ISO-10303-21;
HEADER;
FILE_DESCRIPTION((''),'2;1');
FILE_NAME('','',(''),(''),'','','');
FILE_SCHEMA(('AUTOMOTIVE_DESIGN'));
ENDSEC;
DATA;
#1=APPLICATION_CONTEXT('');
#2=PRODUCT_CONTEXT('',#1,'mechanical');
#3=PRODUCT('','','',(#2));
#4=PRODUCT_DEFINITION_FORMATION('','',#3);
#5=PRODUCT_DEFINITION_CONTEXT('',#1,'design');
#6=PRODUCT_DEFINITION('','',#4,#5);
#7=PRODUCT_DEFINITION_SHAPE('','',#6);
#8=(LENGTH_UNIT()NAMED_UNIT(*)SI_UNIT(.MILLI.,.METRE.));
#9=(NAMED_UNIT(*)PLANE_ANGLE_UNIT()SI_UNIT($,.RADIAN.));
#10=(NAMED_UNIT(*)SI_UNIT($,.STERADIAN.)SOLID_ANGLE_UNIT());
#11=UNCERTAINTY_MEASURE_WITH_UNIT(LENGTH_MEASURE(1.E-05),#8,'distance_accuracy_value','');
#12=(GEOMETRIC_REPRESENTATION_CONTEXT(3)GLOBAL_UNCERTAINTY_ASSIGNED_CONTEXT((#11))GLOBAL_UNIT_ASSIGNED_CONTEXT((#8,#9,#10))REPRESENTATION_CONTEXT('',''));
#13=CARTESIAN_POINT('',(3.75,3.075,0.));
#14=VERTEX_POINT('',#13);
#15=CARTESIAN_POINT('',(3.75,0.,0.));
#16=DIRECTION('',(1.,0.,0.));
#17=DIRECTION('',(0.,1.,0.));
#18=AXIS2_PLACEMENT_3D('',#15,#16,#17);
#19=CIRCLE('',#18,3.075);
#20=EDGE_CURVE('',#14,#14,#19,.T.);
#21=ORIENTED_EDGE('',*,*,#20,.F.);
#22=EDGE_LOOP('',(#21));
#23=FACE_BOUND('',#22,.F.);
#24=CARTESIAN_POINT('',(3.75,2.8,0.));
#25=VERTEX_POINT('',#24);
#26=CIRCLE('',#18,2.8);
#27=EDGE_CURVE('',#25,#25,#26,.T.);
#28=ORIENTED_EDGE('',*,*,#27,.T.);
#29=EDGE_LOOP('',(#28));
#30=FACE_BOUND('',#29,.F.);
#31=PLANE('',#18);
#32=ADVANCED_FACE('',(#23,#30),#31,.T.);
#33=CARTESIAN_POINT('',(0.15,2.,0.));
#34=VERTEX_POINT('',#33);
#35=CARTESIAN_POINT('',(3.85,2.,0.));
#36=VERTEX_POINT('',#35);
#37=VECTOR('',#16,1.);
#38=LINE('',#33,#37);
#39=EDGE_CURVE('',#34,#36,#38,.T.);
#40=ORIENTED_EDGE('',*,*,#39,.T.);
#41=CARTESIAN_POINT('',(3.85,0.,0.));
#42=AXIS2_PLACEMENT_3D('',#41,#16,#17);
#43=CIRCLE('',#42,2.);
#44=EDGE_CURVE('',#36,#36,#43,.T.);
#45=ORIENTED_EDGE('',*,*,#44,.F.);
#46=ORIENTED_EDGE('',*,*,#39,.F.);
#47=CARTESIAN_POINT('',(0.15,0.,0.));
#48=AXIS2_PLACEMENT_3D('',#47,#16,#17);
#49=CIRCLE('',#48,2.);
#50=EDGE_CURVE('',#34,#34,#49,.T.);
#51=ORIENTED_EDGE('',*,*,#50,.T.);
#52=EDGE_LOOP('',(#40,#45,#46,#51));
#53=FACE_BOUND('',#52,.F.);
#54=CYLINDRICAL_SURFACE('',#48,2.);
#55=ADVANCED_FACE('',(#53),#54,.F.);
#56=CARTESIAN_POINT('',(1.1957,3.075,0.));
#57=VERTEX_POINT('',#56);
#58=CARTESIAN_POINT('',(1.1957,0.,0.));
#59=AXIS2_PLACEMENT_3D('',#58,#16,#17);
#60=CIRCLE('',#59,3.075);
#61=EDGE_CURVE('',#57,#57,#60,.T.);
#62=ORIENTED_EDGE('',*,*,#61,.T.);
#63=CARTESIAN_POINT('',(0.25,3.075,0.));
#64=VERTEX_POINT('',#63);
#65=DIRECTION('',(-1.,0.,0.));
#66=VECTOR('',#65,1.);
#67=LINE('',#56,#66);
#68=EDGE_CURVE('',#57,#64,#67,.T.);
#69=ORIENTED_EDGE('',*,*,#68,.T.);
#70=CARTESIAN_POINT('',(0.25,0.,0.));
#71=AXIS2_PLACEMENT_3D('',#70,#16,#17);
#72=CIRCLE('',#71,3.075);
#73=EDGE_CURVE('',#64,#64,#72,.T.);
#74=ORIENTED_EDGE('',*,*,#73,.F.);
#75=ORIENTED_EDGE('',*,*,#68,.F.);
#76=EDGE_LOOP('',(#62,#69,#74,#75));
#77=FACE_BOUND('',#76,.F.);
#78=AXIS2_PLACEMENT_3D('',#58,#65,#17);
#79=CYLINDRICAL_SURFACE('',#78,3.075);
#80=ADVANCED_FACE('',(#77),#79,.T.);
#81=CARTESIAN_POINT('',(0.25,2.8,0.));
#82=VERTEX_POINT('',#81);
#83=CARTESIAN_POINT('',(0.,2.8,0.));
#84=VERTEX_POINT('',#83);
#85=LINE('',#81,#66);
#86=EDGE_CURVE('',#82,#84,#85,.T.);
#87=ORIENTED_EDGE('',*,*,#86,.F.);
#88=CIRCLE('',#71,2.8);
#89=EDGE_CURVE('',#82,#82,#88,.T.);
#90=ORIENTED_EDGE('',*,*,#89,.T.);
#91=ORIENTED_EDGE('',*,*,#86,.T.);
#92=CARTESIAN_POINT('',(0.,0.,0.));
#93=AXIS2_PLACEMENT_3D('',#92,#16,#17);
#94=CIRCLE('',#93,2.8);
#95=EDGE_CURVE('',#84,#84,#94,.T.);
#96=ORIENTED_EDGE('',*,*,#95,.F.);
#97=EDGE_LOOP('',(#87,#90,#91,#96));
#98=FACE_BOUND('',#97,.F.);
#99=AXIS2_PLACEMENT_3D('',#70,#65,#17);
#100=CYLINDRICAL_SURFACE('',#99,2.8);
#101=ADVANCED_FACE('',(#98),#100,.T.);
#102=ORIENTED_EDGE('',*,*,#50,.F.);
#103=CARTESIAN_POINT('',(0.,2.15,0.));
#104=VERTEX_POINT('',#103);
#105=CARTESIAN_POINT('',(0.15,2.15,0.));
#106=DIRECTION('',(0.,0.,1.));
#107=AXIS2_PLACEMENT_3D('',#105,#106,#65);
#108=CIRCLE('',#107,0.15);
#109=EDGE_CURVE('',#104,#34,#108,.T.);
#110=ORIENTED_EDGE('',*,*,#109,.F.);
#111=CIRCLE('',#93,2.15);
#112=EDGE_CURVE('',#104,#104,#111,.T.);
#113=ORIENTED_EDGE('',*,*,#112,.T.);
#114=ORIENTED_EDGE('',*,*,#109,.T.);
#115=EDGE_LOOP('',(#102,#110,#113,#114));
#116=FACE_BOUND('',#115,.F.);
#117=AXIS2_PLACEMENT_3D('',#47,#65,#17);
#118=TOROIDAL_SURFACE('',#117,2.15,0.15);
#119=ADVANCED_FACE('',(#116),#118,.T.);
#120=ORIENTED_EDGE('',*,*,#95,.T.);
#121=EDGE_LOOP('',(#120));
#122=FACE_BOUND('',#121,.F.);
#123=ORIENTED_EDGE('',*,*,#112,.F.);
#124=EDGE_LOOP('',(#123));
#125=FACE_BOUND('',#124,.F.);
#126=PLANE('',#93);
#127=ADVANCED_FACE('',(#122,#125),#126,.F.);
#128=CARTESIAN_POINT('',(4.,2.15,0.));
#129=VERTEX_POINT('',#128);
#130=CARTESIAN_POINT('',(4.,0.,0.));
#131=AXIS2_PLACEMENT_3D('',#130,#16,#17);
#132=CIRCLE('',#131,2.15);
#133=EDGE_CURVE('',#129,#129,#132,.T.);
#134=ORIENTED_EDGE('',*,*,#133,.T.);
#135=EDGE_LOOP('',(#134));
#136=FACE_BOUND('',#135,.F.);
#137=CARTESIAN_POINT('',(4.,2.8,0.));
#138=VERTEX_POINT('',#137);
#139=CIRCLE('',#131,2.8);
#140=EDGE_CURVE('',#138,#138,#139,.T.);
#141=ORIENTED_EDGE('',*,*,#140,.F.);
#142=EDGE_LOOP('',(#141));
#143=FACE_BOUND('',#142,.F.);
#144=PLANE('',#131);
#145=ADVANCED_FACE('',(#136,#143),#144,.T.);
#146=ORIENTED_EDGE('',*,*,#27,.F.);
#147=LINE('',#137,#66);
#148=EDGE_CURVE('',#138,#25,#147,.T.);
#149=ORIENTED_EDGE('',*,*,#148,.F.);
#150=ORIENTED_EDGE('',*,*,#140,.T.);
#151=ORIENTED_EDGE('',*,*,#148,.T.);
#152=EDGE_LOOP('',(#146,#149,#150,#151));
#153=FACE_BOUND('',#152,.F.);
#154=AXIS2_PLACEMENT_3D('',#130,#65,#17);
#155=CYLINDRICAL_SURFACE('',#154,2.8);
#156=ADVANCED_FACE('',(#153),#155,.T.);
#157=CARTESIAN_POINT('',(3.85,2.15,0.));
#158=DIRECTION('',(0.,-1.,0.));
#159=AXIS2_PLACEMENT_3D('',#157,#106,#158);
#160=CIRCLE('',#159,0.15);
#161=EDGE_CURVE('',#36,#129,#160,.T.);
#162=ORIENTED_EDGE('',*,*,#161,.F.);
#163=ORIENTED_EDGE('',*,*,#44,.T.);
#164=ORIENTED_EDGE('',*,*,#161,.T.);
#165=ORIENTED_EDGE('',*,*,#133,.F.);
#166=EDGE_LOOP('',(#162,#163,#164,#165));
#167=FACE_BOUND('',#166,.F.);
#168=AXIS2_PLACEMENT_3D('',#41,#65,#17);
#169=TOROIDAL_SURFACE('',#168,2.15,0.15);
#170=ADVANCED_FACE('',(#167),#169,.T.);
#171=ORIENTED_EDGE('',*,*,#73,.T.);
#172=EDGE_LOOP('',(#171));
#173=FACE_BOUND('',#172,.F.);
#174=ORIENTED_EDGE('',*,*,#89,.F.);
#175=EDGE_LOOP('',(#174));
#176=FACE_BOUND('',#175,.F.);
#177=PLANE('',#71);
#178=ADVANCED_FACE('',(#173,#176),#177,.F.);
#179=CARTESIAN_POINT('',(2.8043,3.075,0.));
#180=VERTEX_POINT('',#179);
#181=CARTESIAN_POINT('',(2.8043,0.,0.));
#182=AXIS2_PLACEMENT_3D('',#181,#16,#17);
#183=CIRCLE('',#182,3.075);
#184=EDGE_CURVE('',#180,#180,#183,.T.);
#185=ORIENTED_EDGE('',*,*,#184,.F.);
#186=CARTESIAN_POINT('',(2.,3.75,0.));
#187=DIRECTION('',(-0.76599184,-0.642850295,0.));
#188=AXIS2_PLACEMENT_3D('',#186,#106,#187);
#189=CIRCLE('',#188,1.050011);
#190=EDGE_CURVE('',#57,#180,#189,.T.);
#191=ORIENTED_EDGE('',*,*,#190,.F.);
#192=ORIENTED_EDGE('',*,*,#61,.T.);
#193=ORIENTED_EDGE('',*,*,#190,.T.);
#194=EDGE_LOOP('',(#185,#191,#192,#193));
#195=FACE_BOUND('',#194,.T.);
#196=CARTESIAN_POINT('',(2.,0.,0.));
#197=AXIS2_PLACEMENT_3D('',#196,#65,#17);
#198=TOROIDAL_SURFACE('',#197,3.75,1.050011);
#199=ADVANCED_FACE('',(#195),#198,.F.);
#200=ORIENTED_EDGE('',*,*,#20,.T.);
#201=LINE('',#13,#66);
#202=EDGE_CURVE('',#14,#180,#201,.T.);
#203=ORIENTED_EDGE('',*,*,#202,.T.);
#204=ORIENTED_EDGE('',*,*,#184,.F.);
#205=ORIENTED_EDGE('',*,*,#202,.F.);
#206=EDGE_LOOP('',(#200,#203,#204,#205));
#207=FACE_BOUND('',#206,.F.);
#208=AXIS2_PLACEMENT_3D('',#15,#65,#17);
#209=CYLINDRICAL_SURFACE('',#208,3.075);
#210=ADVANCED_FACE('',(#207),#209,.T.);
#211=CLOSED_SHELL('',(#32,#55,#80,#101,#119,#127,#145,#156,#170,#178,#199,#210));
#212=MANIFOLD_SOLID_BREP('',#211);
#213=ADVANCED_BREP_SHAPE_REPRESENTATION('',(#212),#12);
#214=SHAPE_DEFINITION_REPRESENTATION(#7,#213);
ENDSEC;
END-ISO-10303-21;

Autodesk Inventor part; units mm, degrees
sketch "Sketch_2" plane through (0, 0, 0) normal (0, 0, 1) x (1, 0, 0)
  line L0 (4, 0) -> (0, 0)
  arc A0 (0, 2.15) -> (0.15, 2) centre (0.15, 2.15) ccw
  line L1 (0.15, 2) -> (3.85, 2)
  arc A1 (3.85, 2) -> (4, 2.15) centre (3.85, 2.15) ccw
  line L2 (4, 2.15) -> (4, 2.8)
  line L3 (4, 2.8) -> (3.75, 2.8)
  line L4 (3.75, 2.8) -> (3.75, 3.075)
  line L5 (3.75, 3.075) -> (2.8043, 3.075)
  arc A2 (1.1957, 3.075) -> (2.8043, 3.075) centre (2, 3.75) ccw
  line L6 (1.1957, 3.075) -> (0.25, 3.075)
  line L7 (0.25, 3.075) -> (0.25, 2.8)
  line L8 (0.25, 2.8) -> (0, 2.8)
  line L9 (0, 2.8) -> (0, 2.15)
revolve "Revolution1" add sketch "Sketch_2" angle 360 about axis through (4, 0, 0) along (1, 0, 0)
ref_plane "ip_st_1_1_XY" through (2, 3.75, 0) normal (1, 0, 0) x (0, 0, -1)
ref_plane "ip_st_1_1_YZ" through (2, 3.75, 0) normal (0, 0, -1) x (0, 1, 0)
ref_plane "ip_st_1_1_ZX" through (2, 3.75, 0) normal (0, 1, 0) x (1, 0, 0)
ref_plane "ip_st_1_2_XY" through (2, 2.6517, 2.6517) normal (1, 0, 0) x (0, 0, -1)
ref_plane "ip_st_1_2_YZ" through (2, 2.6517, 2.6517) normal (0, 0, -1) x (0, 1, 0)
ref_plane "ip_st_1_2_ZX" through (2, 2.6517, 2.6517) normal (0, 1, 0) x (1, 0, 0)
ref_plane "ip_st_1_3_XY" through (2, 0, 3.75) normal (1, 0, 0) x (0, 0, -1)
ref_plane "ip_st_1_3_YZ" through (2, 0, 3.75) normal (0, 0, -1) x (0, 1, 0)
ref_plane "ip_st_1_3_ZX" through (2, 0, 3.75) normal (0, 1, 0) x (1, 0, 0)
ref_plane "ip_st_1_4_XY" through (2, -2.6517, 2.6517) normal (1, 0, 0) x (0, 0, -1)
ref_plane "ip_st_1_4_YZ" through (2, -2.6517, 2.6517) normal (0, 0, -1) x (0, 1, 0)
ref_plane "ip_st_1_4_ZX" through (2, -2.6517, 2.6517) normal (0, 1, 0) x (1, 0, 0)
ref_plane "ip_st_1_5_XY" through (2, -3.75, 0) normal (1, 0, 0) x (0, 0, -1)
ref_plane "ip_st_1_5_YZ" through (2, -3.75, 0) normal (0, 0, -1) x (0, 1, 0)
ref_plane "ip_st_1_5_ZX" through (2, -3.75, 0) normal (0, 1, 0) x (1, 0, 0)
ref_plane "ip_st_1_6_XY" through (2, -2.6517, -2.6517) normal (1, 0, 0) x (0, 0, -1)
ref_plane "ip_st_1_6_YZ" through (2, -2.6517, -2.6517) normal (0, 0, -1) x (0, 1, 0)
ref_plane "ip_st_1_6_ZX" through (2, -2.6517, -2.6517) normal (0, 1, 0) x (1, 0, 0)
ref_plane "ip_st_1_7_XY" through (2, 0, -3.75) normal (1, 0, 0) x (0, 0, -1)
ref_plane "ip_st_1_7_YZ" through (2, 0, -3.75) normal (0, 0, -1) x (0, 1, 0)
ref_plane "ip_st_1_7_ZX" through (2, 0, -3.75) normal (0, 1, 0) x (1, 0, 0)
ref_plane "ip_st_1_8_XY" through (2, 2.6517, -2.6517) normal (1, 0, 0) x (0, 0, -1)
ref_plane "ip_st_1_8_YZ" through (2, 2.6517, -2.6517) normal (0, 0, -1) x (0, 1, 0)
ref_plane "ip_st_1_8_ZX" through (2, 2.6517, -2.6517) normal (0, 1, 0) x (1, 0, 0)
ref_plane "ip_st_1a_XY" through (0, 0, 0) normal (1, 0, 0) x (0, 0, -1)
ref_plane "ip_st_1a_YZ" through (0, 0, 0) normal (0, 0, -1) x (0, 1, 0)
ref_plane "ip_st_1a_ZX" through (0, 0, 0) normal (0, 1, 0) x (1, 0, 0)
ref_plane "ip_st_2a_XY" through (0.25, 0, 0) normal (1, 0, 0) x (0, 0, -1)
ref_plane "ip_st_2a_YZ" through (0.25, 0, 0) normal (0, 0, -1) x (0, 1, 0)
ref_plane "ip_st_2a_ZX" through (0.25, 0, 0) normal (0, 1, 0) x (1, 0, 0)
properties part number "F694ZZ Inner Ring" material "ステンレス鋼 440C"
